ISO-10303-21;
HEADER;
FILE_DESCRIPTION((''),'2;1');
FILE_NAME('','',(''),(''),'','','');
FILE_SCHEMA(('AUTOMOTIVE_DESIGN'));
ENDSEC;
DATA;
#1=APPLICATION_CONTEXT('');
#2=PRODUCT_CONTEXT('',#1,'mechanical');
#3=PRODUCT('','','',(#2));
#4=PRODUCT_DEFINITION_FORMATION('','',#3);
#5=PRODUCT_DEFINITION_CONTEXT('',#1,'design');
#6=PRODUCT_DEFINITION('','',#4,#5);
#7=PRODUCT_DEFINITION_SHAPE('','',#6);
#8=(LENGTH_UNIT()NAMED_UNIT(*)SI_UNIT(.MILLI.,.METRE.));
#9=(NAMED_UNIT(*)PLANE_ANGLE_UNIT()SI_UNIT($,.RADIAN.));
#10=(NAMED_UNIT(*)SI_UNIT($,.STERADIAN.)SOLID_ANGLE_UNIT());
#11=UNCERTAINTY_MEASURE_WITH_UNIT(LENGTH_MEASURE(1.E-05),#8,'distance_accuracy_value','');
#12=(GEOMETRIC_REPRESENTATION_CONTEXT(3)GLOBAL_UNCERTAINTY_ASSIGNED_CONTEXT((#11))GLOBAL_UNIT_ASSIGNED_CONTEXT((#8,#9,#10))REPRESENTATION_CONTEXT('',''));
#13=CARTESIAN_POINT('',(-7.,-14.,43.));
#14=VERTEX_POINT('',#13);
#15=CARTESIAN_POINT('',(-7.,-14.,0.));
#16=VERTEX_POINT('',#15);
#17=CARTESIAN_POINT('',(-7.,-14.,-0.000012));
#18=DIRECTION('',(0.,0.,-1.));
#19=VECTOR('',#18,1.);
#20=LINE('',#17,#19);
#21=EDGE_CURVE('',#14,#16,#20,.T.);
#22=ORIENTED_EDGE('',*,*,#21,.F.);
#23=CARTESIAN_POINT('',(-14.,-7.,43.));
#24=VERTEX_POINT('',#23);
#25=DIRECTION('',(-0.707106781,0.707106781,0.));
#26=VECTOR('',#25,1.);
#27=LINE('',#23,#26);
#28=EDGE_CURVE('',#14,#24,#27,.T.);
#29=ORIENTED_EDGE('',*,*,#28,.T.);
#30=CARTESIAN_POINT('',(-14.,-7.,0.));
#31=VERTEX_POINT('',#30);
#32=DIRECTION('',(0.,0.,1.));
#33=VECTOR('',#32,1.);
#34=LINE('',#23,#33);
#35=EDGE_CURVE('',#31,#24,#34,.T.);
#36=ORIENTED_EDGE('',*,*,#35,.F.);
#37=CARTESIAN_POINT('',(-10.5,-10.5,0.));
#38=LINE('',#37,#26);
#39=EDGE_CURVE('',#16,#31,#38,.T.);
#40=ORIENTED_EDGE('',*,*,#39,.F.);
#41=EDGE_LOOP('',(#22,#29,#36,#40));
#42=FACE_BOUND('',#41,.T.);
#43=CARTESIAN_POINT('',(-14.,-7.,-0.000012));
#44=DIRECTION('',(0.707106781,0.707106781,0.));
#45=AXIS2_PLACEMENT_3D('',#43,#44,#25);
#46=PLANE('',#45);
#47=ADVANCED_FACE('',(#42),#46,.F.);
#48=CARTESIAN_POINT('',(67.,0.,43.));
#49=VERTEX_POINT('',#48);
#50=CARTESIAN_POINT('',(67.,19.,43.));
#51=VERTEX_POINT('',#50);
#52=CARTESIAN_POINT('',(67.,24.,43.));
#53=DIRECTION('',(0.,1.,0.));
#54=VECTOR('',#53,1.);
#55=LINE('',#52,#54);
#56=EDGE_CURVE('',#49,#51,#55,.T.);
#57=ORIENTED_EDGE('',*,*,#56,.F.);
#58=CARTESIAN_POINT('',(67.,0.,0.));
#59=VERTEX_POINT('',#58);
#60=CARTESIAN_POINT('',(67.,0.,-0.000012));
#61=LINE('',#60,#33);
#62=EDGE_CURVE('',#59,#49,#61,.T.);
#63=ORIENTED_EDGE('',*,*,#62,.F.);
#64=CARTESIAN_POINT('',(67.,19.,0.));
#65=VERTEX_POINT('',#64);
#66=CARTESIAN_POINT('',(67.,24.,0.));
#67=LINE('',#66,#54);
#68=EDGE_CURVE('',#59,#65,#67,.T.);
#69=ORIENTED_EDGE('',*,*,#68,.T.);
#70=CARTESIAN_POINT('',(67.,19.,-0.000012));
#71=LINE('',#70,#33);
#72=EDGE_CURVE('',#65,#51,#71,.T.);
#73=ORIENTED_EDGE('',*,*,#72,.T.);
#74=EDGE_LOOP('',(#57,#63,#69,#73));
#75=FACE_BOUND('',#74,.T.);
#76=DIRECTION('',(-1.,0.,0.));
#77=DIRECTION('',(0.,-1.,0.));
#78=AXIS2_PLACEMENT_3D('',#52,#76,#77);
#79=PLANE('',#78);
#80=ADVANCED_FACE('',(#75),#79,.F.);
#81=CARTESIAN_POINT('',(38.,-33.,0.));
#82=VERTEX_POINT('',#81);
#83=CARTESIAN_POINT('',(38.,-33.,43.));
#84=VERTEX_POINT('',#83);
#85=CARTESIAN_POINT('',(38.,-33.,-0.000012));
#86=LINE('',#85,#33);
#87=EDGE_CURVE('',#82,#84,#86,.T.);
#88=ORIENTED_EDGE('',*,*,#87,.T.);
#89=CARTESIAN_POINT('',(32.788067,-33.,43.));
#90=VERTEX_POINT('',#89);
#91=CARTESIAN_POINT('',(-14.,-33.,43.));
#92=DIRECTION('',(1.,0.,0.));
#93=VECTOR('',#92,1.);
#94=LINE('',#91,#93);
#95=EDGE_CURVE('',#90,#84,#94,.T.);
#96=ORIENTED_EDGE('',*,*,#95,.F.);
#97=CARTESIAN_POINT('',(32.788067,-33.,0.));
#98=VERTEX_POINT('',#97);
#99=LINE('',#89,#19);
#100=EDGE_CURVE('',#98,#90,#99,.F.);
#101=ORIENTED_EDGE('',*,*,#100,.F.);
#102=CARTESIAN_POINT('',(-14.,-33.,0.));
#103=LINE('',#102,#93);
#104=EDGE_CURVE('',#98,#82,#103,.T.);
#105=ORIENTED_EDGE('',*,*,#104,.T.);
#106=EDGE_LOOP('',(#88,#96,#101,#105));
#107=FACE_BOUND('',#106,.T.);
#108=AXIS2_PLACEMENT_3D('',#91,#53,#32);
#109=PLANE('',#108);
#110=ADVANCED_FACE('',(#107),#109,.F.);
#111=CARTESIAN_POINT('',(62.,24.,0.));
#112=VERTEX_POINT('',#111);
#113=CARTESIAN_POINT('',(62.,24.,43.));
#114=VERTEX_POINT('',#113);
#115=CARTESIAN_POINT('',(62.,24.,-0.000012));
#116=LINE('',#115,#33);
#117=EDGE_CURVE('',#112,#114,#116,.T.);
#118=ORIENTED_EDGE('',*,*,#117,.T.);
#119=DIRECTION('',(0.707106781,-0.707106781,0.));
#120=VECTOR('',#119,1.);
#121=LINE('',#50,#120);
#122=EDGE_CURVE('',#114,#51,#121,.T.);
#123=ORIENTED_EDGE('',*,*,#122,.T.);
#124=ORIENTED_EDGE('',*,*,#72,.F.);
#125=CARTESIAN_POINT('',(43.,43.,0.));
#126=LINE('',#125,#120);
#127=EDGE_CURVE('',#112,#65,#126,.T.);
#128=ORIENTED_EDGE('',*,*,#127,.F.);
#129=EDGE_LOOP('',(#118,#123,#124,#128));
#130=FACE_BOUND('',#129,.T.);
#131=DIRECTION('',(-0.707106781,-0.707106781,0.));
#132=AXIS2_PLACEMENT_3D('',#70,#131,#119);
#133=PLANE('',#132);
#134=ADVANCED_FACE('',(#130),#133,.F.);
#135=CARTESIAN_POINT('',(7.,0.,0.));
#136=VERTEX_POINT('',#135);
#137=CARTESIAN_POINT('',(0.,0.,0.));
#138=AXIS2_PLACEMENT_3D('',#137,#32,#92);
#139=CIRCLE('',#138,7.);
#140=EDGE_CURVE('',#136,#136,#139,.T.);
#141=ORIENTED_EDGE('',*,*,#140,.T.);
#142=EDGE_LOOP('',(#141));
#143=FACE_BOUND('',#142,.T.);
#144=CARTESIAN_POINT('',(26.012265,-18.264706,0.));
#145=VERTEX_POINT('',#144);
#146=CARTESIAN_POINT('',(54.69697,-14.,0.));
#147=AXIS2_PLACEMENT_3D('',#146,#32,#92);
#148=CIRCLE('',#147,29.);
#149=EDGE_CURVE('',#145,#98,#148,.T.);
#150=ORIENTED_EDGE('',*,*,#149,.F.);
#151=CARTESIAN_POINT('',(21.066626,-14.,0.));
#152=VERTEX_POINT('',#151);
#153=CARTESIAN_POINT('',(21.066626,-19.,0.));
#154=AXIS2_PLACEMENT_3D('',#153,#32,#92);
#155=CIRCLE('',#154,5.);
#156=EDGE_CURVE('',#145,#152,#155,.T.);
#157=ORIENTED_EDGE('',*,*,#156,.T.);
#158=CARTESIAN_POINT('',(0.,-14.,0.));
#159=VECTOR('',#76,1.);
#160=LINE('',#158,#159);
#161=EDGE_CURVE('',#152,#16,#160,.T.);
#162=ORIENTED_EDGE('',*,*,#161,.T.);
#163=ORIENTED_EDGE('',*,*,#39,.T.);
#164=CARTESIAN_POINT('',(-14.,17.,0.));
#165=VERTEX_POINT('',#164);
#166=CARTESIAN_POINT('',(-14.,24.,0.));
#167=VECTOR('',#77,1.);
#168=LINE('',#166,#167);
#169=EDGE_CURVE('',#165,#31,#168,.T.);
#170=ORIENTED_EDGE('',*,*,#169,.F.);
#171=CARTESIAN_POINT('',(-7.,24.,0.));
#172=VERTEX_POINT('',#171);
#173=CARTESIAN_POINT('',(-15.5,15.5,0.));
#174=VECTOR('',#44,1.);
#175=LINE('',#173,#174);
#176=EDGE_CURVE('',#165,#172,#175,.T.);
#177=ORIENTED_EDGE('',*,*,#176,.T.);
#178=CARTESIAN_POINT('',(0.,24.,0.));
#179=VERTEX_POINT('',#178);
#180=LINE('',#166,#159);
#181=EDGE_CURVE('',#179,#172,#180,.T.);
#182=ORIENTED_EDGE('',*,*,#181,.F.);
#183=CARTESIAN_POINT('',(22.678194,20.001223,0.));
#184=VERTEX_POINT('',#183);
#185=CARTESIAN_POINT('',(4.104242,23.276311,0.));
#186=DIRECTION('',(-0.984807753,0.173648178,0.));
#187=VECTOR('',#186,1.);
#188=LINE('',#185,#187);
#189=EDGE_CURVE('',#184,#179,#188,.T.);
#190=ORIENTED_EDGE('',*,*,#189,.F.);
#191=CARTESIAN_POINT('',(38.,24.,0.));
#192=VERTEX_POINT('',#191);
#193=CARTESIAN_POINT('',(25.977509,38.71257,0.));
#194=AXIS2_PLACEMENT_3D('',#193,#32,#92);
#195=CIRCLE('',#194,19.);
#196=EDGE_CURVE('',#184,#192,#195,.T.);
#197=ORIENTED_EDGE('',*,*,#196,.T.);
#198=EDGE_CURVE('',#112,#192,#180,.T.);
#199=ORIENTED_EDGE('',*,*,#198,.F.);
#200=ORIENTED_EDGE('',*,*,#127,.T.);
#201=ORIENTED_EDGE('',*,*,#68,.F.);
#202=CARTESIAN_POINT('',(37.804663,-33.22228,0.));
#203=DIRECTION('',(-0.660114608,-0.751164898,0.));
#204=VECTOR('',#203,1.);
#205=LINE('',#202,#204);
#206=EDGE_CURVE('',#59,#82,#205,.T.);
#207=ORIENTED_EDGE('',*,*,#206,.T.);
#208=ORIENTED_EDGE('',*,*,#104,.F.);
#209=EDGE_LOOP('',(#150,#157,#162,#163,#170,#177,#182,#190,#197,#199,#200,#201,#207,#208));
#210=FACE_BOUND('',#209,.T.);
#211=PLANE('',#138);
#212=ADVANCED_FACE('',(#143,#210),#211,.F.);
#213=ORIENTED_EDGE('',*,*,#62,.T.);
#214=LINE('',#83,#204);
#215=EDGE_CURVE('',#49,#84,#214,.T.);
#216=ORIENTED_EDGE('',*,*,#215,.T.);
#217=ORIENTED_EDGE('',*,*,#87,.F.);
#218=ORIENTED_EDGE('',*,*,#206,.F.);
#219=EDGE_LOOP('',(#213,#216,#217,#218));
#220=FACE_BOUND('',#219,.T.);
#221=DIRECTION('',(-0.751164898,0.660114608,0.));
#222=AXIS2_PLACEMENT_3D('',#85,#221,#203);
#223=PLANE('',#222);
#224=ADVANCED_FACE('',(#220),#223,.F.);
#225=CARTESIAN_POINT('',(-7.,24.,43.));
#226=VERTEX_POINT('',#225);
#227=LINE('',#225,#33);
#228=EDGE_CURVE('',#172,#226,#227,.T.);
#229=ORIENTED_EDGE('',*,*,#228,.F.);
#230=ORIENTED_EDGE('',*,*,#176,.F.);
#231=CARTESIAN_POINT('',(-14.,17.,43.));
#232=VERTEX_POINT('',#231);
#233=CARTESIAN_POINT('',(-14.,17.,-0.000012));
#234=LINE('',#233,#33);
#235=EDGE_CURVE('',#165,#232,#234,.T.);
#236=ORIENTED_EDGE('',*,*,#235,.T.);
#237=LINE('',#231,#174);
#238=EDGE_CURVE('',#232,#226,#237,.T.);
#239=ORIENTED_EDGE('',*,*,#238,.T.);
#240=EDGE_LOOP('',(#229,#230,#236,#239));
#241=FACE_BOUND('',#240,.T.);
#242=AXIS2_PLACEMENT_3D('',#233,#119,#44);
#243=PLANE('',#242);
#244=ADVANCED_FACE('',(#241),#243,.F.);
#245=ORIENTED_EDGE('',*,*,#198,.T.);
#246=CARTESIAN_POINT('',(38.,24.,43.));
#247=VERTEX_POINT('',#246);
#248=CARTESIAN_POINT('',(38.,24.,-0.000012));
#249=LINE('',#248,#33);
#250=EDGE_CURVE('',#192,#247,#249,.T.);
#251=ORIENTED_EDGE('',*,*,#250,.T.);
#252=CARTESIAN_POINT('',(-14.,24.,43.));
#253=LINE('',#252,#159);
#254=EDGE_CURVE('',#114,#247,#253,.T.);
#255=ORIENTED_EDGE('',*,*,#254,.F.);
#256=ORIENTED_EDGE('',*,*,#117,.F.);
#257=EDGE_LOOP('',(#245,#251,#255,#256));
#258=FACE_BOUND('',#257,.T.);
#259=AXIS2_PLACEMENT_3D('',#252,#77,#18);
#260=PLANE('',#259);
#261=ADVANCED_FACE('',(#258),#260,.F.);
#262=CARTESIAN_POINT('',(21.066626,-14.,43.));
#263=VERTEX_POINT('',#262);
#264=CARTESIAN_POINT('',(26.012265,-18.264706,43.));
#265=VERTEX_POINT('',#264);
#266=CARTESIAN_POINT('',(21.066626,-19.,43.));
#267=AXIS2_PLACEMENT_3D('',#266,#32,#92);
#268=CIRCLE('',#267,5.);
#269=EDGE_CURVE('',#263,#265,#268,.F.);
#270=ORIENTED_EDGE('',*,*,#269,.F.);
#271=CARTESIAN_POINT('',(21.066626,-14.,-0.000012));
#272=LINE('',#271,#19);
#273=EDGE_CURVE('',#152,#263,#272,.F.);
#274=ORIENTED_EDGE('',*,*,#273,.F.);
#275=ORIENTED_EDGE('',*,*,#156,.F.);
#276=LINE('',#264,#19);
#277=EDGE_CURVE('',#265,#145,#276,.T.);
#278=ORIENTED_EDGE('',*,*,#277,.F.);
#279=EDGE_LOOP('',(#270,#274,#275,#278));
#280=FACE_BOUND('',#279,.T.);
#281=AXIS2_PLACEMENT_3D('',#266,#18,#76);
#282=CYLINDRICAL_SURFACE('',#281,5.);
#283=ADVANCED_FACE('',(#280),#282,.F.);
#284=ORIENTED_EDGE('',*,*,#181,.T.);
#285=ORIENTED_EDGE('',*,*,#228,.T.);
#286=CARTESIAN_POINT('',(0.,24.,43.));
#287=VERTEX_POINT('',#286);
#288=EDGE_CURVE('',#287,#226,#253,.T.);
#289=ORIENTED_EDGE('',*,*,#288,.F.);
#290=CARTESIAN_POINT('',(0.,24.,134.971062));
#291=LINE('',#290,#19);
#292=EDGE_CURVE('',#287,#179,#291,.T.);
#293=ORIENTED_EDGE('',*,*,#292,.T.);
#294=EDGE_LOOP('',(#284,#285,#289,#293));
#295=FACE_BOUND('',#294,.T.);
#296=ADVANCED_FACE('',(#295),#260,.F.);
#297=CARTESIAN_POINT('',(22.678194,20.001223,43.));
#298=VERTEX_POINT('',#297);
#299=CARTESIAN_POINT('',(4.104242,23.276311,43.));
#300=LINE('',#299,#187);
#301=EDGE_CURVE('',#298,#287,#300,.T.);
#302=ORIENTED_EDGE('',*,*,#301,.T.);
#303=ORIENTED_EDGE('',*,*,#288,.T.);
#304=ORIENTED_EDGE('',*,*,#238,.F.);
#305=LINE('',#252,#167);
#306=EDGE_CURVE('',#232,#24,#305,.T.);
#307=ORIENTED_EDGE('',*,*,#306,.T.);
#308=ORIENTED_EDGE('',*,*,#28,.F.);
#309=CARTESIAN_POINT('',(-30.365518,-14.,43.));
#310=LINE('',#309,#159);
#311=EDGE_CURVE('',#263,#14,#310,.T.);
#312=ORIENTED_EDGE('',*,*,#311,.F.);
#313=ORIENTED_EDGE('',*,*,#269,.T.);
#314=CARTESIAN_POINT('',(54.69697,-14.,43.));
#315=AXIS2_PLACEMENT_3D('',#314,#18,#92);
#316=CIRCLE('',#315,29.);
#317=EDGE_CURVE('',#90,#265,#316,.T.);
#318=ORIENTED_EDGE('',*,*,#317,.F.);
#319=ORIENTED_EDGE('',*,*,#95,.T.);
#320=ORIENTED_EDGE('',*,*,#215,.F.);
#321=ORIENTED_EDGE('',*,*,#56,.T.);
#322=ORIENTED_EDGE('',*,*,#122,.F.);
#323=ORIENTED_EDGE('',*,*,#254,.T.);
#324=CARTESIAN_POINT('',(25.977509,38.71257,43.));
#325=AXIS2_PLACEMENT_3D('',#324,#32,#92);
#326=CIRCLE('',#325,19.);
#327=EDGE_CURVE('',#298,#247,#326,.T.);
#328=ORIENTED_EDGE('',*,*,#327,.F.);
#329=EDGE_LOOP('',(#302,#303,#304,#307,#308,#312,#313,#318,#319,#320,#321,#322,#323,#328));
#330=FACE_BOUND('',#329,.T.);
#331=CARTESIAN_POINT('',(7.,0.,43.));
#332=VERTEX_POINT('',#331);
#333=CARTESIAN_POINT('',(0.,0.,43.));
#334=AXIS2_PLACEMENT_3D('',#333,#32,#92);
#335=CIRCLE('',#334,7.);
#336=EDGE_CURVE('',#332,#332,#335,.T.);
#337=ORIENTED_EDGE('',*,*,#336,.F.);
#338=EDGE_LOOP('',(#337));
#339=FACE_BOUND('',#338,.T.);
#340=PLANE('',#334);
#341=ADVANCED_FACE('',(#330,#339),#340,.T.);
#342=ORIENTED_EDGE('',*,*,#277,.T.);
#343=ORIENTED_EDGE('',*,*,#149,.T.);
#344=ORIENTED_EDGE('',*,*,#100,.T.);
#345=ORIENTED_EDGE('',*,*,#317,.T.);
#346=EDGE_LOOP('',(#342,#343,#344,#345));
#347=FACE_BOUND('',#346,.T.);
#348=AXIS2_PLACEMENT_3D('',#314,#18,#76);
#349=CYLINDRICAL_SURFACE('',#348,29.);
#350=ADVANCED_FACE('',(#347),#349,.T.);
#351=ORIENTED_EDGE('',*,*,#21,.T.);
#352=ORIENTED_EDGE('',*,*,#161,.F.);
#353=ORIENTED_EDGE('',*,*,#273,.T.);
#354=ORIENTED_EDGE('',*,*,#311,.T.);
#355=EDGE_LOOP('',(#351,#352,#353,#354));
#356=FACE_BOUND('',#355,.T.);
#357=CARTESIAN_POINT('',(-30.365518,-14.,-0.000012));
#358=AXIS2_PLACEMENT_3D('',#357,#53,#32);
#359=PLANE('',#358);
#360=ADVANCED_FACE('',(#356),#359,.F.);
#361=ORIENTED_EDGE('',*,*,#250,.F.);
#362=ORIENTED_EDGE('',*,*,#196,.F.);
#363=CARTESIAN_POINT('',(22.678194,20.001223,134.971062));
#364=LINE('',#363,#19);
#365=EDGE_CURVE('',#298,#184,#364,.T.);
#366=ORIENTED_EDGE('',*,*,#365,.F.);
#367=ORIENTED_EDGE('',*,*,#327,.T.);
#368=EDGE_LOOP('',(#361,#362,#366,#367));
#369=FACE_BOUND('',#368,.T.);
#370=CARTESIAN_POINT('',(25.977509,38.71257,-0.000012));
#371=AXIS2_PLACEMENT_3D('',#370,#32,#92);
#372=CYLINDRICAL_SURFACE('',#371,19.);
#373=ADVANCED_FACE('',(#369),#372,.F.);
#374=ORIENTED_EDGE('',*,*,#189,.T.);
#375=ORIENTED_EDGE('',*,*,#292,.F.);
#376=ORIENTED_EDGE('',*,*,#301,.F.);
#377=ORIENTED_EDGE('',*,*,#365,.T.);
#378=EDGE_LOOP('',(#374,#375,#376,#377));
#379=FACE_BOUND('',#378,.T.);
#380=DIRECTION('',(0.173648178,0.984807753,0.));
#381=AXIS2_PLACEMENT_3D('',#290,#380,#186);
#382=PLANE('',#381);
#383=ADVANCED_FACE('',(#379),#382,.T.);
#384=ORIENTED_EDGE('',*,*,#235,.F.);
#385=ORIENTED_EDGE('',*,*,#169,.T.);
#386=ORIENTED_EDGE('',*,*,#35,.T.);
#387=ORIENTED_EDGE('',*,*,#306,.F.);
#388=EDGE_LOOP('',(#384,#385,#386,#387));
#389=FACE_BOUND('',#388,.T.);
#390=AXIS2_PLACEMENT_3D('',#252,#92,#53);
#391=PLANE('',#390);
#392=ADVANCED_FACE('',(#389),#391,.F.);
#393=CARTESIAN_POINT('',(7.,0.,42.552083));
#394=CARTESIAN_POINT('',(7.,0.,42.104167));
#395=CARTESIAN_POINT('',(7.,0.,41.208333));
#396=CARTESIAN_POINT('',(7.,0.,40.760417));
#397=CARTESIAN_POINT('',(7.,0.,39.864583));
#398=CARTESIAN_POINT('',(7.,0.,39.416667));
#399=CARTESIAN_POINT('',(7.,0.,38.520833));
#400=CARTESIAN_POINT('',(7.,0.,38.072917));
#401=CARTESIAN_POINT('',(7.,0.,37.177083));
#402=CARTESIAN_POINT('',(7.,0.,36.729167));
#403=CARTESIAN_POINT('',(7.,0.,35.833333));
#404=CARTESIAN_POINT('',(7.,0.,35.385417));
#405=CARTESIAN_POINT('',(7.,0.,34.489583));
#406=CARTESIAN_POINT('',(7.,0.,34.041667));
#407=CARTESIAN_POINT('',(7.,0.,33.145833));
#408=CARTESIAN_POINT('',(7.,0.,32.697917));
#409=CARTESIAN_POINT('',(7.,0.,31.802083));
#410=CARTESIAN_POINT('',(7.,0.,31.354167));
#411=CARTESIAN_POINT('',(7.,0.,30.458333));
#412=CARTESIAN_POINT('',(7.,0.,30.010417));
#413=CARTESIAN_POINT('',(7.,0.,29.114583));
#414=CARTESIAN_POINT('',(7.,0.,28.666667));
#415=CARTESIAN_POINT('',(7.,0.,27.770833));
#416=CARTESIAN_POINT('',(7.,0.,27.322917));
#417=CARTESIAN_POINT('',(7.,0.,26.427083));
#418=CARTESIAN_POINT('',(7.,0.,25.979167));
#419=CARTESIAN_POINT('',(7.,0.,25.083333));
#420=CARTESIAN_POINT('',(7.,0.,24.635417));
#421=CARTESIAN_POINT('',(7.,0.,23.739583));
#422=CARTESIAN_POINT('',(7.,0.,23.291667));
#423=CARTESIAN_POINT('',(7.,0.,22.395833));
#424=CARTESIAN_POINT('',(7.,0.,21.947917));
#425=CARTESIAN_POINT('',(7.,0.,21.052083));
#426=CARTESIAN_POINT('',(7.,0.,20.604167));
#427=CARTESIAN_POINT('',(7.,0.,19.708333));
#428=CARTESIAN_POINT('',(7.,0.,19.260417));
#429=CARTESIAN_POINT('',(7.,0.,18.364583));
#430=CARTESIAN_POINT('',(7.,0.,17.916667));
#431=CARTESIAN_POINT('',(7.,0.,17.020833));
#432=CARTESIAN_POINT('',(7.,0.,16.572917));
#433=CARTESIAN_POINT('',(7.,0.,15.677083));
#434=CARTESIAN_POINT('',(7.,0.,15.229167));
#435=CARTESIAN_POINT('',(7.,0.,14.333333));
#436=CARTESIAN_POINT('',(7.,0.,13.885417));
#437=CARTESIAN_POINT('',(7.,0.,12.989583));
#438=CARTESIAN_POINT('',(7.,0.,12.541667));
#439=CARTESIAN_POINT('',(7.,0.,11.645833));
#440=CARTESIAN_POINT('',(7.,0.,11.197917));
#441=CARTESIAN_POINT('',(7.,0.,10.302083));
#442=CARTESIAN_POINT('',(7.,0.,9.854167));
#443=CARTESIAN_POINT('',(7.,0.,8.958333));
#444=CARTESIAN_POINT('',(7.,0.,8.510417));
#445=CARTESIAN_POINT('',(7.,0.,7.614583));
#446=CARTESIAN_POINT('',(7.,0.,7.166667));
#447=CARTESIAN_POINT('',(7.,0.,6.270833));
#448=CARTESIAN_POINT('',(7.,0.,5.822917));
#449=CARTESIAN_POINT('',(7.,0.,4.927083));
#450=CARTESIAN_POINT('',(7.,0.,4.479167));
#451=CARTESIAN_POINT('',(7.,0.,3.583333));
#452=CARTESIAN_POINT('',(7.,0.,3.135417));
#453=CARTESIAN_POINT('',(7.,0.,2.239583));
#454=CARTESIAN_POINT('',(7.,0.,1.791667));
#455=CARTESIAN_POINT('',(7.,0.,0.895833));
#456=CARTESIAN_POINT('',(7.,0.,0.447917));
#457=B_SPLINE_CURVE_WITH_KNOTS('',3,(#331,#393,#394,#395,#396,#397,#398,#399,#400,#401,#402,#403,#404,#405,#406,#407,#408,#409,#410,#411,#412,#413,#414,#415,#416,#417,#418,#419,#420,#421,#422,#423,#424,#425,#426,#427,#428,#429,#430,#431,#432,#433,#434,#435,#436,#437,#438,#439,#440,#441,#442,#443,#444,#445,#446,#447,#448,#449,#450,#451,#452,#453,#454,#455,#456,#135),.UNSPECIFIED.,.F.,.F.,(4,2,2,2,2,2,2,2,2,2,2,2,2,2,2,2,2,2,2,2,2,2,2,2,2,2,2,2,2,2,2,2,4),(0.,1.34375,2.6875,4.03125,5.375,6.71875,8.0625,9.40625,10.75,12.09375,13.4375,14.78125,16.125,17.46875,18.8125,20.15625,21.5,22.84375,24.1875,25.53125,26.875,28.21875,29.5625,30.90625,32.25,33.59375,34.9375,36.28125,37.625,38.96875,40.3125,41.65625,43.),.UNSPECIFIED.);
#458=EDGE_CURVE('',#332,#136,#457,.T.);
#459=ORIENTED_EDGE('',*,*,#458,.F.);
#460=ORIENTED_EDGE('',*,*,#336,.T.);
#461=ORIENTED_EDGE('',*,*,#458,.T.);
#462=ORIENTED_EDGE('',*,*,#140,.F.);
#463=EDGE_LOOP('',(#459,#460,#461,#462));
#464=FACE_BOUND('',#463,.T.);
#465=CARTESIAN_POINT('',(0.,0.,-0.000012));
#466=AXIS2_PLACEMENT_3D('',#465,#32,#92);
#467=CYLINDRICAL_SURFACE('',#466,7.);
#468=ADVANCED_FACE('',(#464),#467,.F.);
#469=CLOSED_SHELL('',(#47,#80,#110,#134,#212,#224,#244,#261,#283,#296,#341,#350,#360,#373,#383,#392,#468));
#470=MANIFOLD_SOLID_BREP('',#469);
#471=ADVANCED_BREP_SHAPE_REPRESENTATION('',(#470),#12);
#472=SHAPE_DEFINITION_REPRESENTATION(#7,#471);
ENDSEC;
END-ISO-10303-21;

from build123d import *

# Parameters (mm, degrees)
SKETCH1_W               = 81
SKETCH1_H               = 57
BOSS_EXTRUDE1_DEPTH     = 43
CUT_EXTRUDE1_DEPTH      = 87.180044094
CUT_EXTRUDE1_DEPTH_BACK = 87.180044094
CUT_EXTRUDE2_DEPTH      = 87.180044094
CUT_EXTRUDE2_DEPTH_BACK = 87.180044094
SKETCH3_W               = 56.062487614
SKETCH3_H               = 49.157310494
CUT_EXTRUDE4_DEPTH      = 87.180044094
CUT_EXTRUDE4_DEPTH_BACK = 87.180044094
SKETCH4_R               = 7
FILLET1_R               = 5
CUT_EXTRUDE5_DEPTH      = 87.180044094
CUT_EXTRUDE5_DEPTH_BACK = 87.180044094
CUT_EXTRUDE7_DEPTH      = 87.180044094
CUT_EXTRUDE7_DEPTH_BACK = 87.180044094
SKETCH6_R               = 19
CUT_EXTRUDE8_DEPTH      = 87.180044094
CUT_EXTRUDE8_DEPTH_BACK = 87.180044094


with BuildPart() as part:
    # Sketch1 → Boss-Extrude1 (new body)
    with BuildSketch(Plane.XY):
        with Locations((26.5, -4.5)):
            Rectangle(SKETCH1_W, SKETCH1_H)
    extrude(amount=BOSS_EXTRUDE1_DEPTH)

    # Sketch2 → Cut-Extrude1 (cut, two sides: drawn at the far end of the back side and taken through both)
    with BuildSketch(Plane.XY.offset(-CUT_EXTRUDE1_DEPTH_BACK)):
        Polygon((38, -33), (67, 0), (92.563073461, 0), (92.563073461, -46.247191662), (38, -46.247191662), align=None)
    extrude(amount=CUT_EXTRUDE1_DEPTH + CUT_EXTRUDE1_DEPTH_BACK, mode=Mode.SUBTRACT)

    # Sketch3 → Cut-Extrude2 (cut, two sides: drawn at the far end of the back side and taken through both)
    with BuildSketch(Plane.XY.offset(-CUT_EXTRUDE2_DEPTH_BACK)):
        Polygon((67, 19), (62, 24), (62, 35.07400688), (76.394076925, 35.07400688), (76.394076925, 19), align=None)
        with Locations((-2.33427411, -38.578655247)):
            Rectangle(SKETCH3_W, SKETCH3_H)
    extrude(amount=CUT_EXTRUDE2_DEPTH + CUT_EXTRUDE2_DEPTH_BACK, mode=Mode.SUBTRACT)

    # Sketch4 → Cut-Extrude4 (cut, two sides: drawn at the far end of the back side and taken through both)
    with BuildSketch(Plane.XY.offset(-CUT_EXTRUDE4_DEPTH_BACK)):
        Circle(SKETCH4_R)
        Polygon((-14, -7), (-7, -14), (-7, -25.581490966), (-25.698807285, -25.581490966), (-25.698807285, 4.698807285), align=None)
        with BuildLine():
            Line((25.696969697, -14), (1.830031376, -60.145765031))
            Line((1.830031376, -60.145765031), (54.696969697, -43))
            ThreePointArc((54.696969697, -43), (34.190873043, -34.506096654), (25.696969697, -14))
        make_face()
    extrude(amount=CUT_EXTRUDE4_DEPTH + CUT_EXTRUDE4_DEPTH_BACK, mode=Mode.SUBTRACT)

    # Fillet1
    fillet1_edges = [part.edges().sort_by_distance(p)[0] for p in [
        (25.696969697, -14, 21.5),
    ]]
    fillet(fillet1_edges, radius=FILLET1_R)

    # Sketch5 → Cut-Extrude5 (cut, two sides: drawn at the far end of the back side and taken through both)
    with BuildSketch(Plane.XY.offset(-CUT_EXTRUDE5_DEPTH_BACK)):
        Polygon((-14, 17), (-7, 24), (-7, 33.910955106), (-24.773301804, 33.910955106), (-24.773301804, 17), align=None)
    extrude(amount=CUT_EXTRUDE5_DEPTH + CUT_EXTRUDE5_DEPTH_BACK, mode=Mode.SUBTRACT)

    # Sketch6 → Cut-Extrude7 (cut, two sides: drawn at the far end of the back side and taken through both)
    with BuildSketch(Plane.XY.offset(-CUT_EXTRUDE7_DEPTH_BACK)):
        with Locations((25.977509097, 38.71256988)):
            Circle(SKETCH6_R)
    extrude(amount=CUT_EXTRUDE7_DEPTH + CUT_EXTRUDE7_DEPTH_BACK, mode=Mode.SUBTRACT)

    # Sketch7 → Cut-Extrude8 (cut, two sides: drawn at the far end of the back side and taken through both)
    with BuildSketch(Plane.XY.offset(-CUT_EXTRUDE8_DEPTH_BACK)):
        with BuildLine():
            Line((13.955018194, 24), (0, 24))
            Line((0, 24), (22.678193721, 20.001222573))
            ThreePointArc((22.678193721, 20.001222573), (18.059997358, 21.440829729), (13.955018194, 24))
        make_face()
    extrude(amount=CUT_EXTRUDE8_DEPTH + CUT_EXTRUDE8_DEPTH_BACK, mode=Mode.SUBTRACT)


solid = part.part
